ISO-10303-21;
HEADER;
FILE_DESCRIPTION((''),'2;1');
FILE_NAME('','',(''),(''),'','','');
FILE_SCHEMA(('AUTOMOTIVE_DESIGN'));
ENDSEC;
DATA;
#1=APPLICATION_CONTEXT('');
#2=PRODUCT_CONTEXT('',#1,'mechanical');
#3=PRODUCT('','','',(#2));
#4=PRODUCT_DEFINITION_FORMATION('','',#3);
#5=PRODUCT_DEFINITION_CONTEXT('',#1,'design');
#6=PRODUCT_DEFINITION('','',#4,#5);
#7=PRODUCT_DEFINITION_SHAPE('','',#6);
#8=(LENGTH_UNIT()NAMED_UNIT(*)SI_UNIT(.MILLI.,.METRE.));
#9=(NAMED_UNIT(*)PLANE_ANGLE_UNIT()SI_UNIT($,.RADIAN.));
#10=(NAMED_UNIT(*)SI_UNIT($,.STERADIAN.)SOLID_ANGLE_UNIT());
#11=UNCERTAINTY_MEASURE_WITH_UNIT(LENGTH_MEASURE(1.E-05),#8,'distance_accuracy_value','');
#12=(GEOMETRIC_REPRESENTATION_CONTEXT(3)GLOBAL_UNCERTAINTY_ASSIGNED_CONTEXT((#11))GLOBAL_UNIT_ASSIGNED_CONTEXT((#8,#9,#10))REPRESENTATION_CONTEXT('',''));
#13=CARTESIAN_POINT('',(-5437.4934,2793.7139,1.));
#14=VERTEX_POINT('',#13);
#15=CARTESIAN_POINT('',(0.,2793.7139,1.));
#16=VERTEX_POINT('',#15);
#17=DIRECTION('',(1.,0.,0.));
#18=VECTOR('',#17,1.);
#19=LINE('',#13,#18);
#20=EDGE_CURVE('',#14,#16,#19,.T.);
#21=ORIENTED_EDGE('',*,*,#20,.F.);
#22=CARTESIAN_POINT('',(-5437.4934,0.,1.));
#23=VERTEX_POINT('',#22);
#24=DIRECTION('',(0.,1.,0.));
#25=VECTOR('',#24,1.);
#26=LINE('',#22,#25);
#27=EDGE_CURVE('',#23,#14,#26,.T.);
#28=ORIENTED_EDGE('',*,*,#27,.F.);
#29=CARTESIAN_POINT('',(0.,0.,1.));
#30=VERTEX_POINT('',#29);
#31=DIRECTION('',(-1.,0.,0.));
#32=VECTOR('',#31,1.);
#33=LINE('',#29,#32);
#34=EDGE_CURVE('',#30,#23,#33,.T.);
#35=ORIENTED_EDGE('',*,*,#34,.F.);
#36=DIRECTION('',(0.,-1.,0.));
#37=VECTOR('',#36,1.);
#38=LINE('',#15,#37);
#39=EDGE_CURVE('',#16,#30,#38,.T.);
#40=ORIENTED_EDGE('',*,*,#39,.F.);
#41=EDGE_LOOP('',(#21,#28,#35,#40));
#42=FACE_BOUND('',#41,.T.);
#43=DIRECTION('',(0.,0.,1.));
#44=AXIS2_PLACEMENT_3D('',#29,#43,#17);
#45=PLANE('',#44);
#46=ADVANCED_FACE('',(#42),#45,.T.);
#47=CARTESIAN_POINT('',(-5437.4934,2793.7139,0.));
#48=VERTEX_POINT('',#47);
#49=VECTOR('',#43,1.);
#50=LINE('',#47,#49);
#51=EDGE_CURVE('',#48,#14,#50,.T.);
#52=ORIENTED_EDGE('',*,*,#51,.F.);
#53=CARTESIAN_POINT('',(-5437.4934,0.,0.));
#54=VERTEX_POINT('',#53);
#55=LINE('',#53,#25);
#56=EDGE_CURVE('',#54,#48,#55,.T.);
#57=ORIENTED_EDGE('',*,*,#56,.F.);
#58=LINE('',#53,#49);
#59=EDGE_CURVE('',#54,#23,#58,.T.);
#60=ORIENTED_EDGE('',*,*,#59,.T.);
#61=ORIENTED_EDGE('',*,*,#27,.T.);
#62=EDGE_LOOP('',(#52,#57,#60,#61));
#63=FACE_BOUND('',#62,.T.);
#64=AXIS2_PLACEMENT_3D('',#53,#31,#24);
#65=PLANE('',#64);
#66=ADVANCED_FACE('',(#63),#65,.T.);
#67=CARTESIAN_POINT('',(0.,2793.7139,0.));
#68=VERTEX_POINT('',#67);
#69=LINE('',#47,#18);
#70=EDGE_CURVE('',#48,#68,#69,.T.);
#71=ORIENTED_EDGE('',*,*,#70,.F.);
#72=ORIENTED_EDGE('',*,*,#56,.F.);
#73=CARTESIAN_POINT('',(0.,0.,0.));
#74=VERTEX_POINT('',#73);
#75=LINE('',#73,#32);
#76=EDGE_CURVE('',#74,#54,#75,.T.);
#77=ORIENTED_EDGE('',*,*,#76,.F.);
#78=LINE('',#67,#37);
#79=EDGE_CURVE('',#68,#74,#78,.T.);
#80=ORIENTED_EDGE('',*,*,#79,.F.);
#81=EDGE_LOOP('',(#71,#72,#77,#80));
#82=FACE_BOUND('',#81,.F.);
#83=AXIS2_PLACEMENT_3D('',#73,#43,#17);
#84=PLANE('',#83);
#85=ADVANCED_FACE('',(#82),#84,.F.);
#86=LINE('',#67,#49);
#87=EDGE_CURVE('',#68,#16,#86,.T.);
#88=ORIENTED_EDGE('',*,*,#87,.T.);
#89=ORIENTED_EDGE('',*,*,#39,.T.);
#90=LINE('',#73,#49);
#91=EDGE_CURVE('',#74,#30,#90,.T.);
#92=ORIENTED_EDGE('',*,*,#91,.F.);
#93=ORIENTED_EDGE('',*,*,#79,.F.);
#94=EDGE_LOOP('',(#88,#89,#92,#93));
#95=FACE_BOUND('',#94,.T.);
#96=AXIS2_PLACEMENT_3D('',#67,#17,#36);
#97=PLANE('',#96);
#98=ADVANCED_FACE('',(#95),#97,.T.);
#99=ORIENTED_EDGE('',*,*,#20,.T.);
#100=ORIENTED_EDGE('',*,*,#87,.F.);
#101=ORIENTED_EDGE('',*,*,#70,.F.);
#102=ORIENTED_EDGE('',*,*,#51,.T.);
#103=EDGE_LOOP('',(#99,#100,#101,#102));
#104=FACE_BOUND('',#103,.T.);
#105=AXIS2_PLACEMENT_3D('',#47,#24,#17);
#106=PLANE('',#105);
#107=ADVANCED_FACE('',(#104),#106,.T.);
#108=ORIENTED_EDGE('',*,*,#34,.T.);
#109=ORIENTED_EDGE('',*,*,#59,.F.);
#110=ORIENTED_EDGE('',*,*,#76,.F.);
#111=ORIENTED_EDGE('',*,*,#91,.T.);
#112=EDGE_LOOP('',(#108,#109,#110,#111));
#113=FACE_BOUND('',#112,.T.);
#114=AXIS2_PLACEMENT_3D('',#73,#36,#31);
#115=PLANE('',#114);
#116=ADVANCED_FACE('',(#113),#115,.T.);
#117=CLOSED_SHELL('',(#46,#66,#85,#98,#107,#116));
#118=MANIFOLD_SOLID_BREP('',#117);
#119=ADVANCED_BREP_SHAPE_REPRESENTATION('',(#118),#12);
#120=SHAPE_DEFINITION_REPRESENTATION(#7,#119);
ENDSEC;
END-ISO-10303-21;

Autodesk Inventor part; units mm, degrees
ref_plane "YZ Plane" through (0, 0, 0) normal (1, 0, 0) x (0, 1, 0)
ref_plane "XZ Plane" through (0, 0, 0) normal (0, 1, 0) x (-1, 0, 0)
ref_plane "XY Plane" through (0, 0, 0) normal (0, 0, 1) x (1, 0, 0)
sketch "Sketch1" plane through (0, 0, 0) normal (0, 0, 1) x (1, 0, 0)
  line L0 (0, 0) -> (-5437.4934, 0)
  line L1 (-5437.4934, 0) -> (-5437.4934, 2793.7139)
  line L2 (-5437.4934, 2793.7139) -> (0, 2793.7139)
  line L3 (0, 2793.7139) -> (0, 0)
extrude "Extrusion1" add sketch "Sketch1" along normal blind 1
